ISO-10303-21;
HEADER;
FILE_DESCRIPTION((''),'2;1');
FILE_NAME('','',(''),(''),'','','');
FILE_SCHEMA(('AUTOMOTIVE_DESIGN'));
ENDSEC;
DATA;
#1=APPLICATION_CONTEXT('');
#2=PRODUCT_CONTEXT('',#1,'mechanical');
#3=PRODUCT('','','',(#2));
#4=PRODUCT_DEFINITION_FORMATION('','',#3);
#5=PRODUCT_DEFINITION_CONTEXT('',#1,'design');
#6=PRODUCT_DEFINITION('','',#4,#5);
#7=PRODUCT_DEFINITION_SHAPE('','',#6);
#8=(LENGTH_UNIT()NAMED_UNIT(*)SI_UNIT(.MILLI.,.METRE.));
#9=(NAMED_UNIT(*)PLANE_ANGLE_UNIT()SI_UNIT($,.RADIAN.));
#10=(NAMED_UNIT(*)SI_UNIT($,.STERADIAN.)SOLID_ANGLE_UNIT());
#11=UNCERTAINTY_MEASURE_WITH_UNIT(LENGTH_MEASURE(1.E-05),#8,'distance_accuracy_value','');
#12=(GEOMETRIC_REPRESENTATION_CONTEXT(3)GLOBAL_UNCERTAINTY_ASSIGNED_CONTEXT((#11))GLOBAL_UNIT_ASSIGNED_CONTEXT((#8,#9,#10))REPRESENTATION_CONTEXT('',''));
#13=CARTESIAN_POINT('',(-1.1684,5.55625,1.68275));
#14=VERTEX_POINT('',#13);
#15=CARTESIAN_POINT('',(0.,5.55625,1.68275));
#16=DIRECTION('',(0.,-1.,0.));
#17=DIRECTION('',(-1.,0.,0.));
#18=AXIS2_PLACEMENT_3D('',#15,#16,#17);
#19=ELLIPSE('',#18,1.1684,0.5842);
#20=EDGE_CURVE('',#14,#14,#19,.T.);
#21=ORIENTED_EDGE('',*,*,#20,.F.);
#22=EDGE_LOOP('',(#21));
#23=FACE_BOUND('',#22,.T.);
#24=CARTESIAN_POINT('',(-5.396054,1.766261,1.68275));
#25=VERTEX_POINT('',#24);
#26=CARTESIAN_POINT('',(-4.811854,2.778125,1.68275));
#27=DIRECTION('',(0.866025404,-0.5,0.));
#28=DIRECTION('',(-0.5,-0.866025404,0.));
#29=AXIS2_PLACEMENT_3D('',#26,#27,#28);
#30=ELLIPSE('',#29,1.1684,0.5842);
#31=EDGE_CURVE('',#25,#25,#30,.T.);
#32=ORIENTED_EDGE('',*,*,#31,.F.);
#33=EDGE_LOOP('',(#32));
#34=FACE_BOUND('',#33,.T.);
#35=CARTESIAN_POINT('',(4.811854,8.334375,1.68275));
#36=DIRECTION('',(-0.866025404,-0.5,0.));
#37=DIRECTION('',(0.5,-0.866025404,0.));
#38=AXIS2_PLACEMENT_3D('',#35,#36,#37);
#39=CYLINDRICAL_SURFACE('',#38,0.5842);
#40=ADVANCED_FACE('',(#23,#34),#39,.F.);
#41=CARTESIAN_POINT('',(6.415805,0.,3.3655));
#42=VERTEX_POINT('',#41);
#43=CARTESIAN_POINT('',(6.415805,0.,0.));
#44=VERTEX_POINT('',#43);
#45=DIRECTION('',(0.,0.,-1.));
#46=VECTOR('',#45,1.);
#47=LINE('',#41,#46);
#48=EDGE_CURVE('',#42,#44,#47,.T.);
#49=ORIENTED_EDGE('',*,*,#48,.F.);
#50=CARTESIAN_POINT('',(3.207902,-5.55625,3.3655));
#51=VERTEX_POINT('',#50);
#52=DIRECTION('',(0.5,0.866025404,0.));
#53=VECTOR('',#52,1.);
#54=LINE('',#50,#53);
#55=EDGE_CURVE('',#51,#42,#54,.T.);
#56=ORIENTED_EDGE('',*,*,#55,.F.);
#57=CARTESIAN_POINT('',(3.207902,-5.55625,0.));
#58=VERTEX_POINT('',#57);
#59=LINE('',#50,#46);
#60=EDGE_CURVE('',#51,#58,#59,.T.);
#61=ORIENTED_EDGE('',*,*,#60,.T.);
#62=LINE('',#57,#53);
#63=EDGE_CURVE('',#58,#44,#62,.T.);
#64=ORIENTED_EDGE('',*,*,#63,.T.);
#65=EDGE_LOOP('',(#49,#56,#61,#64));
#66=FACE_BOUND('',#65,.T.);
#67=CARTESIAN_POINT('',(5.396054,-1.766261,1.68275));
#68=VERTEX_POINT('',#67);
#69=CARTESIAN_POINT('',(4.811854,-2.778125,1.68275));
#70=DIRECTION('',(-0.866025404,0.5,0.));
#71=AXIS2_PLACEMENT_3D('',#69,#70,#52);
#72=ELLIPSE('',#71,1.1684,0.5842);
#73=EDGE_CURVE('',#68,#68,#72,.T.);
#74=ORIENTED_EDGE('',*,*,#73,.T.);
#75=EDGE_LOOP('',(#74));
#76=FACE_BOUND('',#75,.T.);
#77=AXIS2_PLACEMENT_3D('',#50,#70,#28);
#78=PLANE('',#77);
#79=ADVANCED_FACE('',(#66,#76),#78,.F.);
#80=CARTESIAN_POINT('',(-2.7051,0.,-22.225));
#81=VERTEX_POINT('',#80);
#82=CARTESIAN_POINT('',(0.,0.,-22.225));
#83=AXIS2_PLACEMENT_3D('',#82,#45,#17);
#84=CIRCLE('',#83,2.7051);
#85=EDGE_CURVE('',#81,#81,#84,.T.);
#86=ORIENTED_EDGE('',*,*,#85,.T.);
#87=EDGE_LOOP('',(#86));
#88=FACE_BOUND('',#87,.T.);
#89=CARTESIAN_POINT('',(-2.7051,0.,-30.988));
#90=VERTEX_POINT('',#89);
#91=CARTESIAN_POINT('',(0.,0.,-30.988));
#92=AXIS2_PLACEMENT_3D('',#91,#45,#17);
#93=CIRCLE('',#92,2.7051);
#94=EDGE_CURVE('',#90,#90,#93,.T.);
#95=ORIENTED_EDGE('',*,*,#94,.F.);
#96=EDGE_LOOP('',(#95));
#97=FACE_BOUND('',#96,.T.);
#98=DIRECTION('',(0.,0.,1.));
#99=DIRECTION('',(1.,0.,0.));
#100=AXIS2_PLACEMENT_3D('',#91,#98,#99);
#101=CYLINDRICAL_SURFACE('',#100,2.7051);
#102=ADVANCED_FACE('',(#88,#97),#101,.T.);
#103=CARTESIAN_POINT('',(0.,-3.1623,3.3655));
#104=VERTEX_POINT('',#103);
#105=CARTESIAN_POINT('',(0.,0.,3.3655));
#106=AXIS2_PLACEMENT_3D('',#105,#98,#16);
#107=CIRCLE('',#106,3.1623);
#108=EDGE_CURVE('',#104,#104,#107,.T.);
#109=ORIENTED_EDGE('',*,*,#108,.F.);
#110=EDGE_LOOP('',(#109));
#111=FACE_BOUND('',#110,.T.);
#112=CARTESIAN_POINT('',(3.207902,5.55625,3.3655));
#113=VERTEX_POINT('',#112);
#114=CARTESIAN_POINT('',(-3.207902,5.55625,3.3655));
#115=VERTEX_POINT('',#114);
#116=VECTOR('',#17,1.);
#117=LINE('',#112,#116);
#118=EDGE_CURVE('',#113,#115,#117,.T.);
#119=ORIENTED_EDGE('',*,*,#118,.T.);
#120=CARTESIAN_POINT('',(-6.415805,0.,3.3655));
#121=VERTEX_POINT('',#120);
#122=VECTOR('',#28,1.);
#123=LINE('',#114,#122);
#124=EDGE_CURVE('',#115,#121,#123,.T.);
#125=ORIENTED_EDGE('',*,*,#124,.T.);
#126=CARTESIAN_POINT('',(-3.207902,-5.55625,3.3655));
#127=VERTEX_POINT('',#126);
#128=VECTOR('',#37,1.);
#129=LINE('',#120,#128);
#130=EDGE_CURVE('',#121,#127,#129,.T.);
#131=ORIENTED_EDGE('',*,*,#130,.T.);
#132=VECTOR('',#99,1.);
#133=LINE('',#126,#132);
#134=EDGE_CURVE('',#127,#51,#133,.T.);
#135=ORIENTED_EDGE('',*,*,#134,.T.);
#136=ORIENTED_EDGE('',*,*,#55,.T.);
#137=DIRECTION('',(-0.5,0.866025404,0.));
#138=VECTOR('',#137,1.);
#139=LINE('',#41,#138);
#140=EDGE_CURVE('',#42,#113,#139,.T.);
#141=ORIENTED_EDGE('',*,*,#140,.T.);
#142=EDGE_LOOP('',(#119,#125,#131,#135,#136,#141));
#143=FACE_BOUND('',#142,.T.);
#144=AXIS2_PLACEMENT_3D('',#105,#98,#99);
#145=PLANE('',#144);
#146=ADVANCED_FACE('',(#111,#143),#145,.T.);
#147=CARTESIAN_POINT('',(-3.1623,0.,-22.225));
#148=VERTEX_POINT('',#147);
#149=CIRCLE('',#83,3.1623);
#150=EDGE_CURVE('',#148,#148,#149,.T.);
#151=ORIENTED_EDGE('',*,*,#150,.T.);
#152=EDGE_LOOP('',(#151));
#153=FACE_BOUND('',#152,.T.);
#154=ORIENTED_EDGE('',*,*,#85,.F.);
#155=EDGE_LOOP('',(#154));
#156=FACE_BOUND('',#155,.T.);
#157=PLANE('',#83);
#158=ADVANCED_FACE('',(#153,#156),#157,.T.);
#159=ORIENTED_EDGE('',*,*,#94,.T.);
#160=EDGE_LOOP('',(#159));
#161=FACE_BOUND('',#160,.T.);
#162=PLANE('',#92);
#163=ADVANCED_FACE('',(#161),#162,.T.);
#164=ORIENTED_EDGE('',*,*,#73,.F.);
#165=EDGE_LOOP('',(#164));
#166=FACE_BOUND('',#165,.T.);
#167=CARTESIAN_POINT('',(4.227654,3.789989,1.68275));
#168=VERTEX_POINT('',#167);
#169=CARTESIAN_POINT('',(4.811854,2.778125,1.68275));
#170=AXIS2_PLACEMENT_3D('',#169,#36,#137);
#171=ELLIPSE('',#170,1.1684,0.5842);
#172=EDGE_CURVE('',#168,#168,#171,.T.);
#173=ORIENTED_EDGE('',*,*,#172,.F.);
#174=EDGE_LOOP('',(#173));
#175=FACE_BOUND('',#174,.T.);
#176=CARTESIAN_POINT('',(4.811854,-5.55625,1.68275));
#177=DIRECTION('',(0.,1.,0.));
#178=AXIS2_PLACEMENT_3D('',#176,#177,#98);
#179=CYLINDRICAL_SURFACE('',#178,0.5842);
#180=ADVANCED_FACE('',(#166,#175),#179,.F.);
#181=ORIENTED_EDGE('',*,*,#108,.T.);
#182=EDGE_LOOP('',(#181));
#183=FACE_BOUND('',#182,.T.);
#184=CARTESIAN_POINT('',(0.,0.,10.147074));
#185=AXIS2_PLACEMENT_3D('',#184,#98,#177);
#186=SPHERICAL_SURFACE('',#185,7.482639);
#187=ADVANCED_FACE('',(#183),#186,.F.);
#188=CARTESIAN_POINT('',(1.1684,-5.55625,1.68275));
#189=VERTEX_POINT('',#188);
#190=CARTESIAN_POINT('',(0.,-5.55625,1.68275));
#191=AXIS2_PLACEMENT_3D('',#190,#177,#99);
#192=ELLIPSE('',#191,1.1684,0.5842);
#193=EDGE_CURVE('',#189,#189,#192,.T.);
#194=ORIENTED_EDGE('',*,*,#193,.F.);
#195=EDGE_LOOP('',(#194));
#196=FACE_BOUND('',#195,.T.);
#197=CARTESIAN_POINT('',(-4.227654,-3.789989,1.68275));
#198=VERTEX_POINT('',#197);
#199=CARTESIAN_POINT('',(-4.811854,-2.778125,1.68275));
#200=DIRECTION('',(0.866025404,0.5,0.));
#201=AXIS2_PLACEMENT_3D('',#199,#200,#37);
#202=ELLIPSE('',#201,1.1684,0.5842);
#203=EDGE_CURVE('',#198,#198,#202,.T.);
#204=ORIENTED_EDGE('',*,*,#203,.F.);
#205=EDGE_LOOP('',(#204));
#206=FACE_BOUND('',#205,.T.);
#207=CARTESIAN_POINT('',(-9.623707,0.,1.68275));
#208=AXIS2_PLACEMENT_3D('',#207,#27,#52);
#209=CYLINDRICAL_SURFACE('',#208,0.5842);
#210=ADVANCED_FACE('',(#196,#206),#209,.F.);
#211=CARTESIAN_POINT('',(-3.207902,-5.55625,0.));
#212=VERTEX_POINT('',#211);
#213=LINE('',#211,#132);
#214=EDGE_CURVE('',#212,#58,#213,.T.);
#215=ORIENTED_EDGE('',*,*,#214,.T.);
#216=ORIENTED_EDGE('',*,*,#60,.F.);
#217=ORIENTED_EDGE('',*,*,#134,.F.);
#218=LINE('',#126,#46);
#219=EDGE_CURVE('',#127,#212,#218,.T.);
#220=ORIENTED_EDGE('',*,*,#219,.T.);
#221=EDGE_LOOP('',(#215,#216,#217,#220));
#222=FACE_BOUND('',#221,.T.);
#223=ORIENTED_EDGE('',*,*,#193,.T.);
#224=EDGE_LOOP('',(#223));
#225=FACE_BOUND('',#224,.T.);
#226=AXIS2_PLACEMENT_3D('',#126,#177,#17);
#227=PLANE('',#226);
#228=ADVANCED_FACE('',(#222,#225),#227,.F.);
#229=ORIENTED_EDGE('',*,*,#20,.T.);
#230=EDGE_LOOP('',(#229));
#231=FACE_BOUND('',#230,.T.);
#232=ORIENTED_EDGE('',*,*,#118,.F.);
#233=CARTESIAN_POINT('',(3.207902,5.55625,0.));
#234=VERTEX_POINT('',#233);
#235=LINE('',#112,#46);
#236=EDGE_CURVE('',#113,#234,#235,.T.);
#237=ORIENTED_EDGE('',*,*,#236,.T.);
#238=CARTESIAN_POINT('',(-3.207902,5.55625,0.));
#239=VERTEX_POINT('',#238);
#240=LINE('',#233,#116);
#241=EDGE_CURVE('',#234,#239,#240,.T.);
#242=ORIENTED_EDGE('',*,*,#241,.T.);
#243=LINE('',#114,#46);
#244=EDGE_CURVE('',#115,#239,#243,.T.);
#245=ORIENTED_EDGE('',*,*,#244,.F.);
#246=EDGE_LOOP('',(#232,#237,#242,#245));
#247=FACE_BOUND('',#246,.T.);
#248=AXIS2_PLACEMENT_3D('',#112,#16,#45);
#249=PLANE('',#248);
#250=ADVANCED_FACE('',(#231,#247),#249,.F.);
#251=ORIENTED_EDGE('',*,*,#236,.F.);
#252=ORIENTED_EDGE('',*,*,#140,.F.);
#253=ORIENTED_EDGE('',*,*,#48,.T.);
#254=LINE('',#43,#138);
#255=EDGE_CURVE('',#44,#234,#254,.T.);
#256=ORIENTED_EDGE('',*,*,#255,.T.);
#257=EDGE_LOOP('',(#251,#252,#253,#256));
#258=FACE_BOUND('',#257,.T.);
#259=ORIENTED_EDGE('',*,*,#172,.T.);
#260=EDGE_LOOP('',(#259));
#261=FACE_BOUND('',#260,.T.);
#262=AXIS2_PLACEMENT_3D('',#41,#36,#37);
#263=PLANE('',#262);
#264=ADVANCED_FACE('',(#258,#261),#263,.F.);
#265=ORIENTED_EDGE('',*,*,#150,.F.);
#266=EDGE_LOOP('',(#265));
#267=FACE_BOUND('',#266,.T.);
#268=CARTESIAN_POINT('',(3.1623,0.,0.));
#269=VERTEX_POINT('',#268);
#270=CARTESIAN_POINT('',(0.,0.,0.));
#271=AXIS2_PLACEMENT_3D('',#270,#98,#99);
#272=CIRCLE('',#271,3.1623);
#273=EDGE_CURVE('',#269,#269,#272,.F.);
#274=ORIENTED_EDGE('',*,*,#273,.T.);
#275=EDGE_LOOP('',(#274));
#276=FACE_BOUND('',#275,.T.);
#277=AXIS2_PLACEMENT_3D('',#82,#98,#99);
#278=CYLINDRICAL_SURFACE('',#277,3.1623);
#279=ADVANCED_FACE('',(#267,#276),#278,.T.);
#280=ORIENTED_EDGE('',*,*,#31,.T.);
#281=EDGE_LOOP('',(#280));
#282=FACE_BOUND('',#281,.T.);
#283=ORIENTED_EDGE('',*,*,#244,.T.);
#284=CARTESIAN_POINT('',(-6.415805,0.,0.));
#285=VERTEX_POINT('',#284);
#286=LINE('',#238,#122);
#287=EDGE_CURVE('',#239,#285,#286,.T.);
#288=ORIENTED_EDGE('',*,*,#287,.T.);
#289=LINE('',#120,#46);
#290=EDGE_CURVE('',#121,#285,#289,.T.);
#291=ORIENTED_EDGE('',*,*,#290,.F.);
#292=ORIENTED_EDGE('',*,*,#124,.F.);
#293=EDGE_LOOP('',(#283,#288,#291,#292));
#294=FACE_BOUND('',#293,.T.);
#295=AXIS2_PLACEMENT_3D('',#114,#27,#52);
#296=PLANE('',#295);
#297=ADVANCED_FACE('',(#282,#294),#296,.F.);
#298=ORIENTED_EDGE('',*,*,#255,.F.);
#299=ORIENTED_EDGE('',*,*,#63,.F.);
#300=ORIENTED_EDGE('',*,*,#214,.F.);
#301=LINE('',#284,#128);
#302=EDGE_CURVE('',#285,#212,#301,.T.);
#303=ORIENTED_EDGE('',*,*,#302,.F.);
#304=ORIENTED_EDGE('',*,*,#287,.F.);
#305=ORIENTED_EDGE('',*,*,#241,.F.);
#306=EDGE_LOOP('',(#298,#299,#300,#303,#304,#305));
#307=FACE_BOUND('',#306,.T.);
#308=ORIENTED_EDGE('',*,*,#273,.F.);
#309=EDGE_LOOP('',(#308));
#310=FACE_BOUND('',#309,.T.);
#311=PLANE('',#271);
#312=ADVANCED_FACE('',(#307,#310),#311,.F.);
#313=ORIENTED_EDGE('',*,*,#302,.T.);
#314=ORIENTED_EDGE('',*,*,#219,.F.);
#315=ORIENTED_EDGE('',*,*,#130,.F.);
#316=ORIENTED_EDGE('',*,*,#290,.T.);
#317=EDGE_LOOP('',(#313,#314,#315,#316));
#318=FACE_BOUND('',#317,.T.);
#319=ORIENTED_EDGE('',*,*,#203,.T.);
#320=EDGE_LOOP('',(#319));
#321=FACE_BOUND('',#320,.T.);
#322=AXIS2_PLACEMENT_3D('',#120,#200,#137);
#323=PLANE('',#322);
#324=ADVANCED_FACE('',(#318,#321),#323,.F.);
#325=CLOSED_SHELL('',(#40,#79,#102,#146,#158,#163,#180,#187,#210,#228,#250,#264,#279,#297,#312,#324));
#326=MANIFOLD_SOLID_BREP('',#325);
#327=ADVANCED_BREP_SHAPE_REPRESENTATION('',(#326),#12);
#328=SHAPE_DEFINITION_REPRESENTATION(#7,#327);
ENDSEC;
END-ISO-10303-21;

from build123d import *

# Parameters (mm, degrees)
BOSS_EXTRUDE1_DEPTH = 3.3655
SKETCH2_R           = 3.1623
BOSS_EXTRUDE2_DEPTH = 22.225
SKETCH3_R           = 2.7051
BOSS_EXTRUDE3_DEPTH = 8.763
SKETCH5_R           = 0.5842
CUT_EXTRUDE1_DEPTH  = 33.129279639
CIRPATTERN1_COUNT   = 3


with BuildPart() as part:
    # Sketch1 → Boss-Extrude1 (new body)
    with BuildSketch(Plane.XY):
        Polygon((3.207902433, 5.55625), (-3.207902433, 5.55625), (-6.415804866, 0), (-3.207902433, -5.55625), (3.207902433, -5.55625), (6.415804866, 0), align=None)
    extrude(amount=BOSS_EXTRUDE1_DEPTH)

    # Sketch2 → Boss-Extrude2 (add)
    with BuildSketch(Plane(origin=(0, 0, 0), x_dir=(-1, 0, 0), z_dir=(0, 0, -1))):
        Circle(SKETCH2_R)
    extrude(amount=BOSS_EXTRUDE2_DEPTH)

    # Sketch3 → Boss-Extrude3 (add)
    with BuildSketch(Plane(origin=(0, 0, -22.225), x_dir=(-1, 0, 0), z_dir=(0, 0, -1))):
        Circle(SKETCH3_R)
    extrude(amount=BOSS_EXTRUDE3_DEPTH)

    # Sketch4 → Cut-Revolve1 (revolve, cut)
    with BuildSketch(Plane(origin=(0, 0, 0), x_dir=(0, 0, -1), z_dir=(1, 0, 0))):
        with BuildLine():
            Line((-3.3655, 0), (-3.3655, 3.1623))
            ThreePointArc((-3.3655, 3.1623), (-2.841803396, 1.619539554), (-2.664434968, 0))
            Line((-2.664434968, 0), (-3.3655, 0))
        make_face()
    revolve(axis=Axis((0, 0, 3.3655), (0, 0, -1)), mode=Mode.SUBTRACT)

    # Sketch5 → Cut-Extrude1 (cut, symmetric)
    with BuildSketch(Plane(origin=(0, 0, 0), x_dir=(1, 0, 0), z_dir=(0, 1, 0))):
        with Locations((4.81185365, -1.68275)):
            Circle(SKETCH5_R)
    cut_extrude1 = extrude(amount=CUT_EXTRUDE1_DEPTH, both=True, mode=Mode.SUBTRACT)

    # CirPattern1: Cut-Extrude1 ×3 about axis
    cirpattern1_axis = Axis((0, 0, -32.705675), (0, 0, 1))
    for i in range(1, CIRPATTERN1_COUNT):
        add(cut_extrude1.rotate(cirpattern1_axis, i * 360 / CIRPATTERN1_COUNT), mode=Mode.SUBTRACT)


solid = part.part
